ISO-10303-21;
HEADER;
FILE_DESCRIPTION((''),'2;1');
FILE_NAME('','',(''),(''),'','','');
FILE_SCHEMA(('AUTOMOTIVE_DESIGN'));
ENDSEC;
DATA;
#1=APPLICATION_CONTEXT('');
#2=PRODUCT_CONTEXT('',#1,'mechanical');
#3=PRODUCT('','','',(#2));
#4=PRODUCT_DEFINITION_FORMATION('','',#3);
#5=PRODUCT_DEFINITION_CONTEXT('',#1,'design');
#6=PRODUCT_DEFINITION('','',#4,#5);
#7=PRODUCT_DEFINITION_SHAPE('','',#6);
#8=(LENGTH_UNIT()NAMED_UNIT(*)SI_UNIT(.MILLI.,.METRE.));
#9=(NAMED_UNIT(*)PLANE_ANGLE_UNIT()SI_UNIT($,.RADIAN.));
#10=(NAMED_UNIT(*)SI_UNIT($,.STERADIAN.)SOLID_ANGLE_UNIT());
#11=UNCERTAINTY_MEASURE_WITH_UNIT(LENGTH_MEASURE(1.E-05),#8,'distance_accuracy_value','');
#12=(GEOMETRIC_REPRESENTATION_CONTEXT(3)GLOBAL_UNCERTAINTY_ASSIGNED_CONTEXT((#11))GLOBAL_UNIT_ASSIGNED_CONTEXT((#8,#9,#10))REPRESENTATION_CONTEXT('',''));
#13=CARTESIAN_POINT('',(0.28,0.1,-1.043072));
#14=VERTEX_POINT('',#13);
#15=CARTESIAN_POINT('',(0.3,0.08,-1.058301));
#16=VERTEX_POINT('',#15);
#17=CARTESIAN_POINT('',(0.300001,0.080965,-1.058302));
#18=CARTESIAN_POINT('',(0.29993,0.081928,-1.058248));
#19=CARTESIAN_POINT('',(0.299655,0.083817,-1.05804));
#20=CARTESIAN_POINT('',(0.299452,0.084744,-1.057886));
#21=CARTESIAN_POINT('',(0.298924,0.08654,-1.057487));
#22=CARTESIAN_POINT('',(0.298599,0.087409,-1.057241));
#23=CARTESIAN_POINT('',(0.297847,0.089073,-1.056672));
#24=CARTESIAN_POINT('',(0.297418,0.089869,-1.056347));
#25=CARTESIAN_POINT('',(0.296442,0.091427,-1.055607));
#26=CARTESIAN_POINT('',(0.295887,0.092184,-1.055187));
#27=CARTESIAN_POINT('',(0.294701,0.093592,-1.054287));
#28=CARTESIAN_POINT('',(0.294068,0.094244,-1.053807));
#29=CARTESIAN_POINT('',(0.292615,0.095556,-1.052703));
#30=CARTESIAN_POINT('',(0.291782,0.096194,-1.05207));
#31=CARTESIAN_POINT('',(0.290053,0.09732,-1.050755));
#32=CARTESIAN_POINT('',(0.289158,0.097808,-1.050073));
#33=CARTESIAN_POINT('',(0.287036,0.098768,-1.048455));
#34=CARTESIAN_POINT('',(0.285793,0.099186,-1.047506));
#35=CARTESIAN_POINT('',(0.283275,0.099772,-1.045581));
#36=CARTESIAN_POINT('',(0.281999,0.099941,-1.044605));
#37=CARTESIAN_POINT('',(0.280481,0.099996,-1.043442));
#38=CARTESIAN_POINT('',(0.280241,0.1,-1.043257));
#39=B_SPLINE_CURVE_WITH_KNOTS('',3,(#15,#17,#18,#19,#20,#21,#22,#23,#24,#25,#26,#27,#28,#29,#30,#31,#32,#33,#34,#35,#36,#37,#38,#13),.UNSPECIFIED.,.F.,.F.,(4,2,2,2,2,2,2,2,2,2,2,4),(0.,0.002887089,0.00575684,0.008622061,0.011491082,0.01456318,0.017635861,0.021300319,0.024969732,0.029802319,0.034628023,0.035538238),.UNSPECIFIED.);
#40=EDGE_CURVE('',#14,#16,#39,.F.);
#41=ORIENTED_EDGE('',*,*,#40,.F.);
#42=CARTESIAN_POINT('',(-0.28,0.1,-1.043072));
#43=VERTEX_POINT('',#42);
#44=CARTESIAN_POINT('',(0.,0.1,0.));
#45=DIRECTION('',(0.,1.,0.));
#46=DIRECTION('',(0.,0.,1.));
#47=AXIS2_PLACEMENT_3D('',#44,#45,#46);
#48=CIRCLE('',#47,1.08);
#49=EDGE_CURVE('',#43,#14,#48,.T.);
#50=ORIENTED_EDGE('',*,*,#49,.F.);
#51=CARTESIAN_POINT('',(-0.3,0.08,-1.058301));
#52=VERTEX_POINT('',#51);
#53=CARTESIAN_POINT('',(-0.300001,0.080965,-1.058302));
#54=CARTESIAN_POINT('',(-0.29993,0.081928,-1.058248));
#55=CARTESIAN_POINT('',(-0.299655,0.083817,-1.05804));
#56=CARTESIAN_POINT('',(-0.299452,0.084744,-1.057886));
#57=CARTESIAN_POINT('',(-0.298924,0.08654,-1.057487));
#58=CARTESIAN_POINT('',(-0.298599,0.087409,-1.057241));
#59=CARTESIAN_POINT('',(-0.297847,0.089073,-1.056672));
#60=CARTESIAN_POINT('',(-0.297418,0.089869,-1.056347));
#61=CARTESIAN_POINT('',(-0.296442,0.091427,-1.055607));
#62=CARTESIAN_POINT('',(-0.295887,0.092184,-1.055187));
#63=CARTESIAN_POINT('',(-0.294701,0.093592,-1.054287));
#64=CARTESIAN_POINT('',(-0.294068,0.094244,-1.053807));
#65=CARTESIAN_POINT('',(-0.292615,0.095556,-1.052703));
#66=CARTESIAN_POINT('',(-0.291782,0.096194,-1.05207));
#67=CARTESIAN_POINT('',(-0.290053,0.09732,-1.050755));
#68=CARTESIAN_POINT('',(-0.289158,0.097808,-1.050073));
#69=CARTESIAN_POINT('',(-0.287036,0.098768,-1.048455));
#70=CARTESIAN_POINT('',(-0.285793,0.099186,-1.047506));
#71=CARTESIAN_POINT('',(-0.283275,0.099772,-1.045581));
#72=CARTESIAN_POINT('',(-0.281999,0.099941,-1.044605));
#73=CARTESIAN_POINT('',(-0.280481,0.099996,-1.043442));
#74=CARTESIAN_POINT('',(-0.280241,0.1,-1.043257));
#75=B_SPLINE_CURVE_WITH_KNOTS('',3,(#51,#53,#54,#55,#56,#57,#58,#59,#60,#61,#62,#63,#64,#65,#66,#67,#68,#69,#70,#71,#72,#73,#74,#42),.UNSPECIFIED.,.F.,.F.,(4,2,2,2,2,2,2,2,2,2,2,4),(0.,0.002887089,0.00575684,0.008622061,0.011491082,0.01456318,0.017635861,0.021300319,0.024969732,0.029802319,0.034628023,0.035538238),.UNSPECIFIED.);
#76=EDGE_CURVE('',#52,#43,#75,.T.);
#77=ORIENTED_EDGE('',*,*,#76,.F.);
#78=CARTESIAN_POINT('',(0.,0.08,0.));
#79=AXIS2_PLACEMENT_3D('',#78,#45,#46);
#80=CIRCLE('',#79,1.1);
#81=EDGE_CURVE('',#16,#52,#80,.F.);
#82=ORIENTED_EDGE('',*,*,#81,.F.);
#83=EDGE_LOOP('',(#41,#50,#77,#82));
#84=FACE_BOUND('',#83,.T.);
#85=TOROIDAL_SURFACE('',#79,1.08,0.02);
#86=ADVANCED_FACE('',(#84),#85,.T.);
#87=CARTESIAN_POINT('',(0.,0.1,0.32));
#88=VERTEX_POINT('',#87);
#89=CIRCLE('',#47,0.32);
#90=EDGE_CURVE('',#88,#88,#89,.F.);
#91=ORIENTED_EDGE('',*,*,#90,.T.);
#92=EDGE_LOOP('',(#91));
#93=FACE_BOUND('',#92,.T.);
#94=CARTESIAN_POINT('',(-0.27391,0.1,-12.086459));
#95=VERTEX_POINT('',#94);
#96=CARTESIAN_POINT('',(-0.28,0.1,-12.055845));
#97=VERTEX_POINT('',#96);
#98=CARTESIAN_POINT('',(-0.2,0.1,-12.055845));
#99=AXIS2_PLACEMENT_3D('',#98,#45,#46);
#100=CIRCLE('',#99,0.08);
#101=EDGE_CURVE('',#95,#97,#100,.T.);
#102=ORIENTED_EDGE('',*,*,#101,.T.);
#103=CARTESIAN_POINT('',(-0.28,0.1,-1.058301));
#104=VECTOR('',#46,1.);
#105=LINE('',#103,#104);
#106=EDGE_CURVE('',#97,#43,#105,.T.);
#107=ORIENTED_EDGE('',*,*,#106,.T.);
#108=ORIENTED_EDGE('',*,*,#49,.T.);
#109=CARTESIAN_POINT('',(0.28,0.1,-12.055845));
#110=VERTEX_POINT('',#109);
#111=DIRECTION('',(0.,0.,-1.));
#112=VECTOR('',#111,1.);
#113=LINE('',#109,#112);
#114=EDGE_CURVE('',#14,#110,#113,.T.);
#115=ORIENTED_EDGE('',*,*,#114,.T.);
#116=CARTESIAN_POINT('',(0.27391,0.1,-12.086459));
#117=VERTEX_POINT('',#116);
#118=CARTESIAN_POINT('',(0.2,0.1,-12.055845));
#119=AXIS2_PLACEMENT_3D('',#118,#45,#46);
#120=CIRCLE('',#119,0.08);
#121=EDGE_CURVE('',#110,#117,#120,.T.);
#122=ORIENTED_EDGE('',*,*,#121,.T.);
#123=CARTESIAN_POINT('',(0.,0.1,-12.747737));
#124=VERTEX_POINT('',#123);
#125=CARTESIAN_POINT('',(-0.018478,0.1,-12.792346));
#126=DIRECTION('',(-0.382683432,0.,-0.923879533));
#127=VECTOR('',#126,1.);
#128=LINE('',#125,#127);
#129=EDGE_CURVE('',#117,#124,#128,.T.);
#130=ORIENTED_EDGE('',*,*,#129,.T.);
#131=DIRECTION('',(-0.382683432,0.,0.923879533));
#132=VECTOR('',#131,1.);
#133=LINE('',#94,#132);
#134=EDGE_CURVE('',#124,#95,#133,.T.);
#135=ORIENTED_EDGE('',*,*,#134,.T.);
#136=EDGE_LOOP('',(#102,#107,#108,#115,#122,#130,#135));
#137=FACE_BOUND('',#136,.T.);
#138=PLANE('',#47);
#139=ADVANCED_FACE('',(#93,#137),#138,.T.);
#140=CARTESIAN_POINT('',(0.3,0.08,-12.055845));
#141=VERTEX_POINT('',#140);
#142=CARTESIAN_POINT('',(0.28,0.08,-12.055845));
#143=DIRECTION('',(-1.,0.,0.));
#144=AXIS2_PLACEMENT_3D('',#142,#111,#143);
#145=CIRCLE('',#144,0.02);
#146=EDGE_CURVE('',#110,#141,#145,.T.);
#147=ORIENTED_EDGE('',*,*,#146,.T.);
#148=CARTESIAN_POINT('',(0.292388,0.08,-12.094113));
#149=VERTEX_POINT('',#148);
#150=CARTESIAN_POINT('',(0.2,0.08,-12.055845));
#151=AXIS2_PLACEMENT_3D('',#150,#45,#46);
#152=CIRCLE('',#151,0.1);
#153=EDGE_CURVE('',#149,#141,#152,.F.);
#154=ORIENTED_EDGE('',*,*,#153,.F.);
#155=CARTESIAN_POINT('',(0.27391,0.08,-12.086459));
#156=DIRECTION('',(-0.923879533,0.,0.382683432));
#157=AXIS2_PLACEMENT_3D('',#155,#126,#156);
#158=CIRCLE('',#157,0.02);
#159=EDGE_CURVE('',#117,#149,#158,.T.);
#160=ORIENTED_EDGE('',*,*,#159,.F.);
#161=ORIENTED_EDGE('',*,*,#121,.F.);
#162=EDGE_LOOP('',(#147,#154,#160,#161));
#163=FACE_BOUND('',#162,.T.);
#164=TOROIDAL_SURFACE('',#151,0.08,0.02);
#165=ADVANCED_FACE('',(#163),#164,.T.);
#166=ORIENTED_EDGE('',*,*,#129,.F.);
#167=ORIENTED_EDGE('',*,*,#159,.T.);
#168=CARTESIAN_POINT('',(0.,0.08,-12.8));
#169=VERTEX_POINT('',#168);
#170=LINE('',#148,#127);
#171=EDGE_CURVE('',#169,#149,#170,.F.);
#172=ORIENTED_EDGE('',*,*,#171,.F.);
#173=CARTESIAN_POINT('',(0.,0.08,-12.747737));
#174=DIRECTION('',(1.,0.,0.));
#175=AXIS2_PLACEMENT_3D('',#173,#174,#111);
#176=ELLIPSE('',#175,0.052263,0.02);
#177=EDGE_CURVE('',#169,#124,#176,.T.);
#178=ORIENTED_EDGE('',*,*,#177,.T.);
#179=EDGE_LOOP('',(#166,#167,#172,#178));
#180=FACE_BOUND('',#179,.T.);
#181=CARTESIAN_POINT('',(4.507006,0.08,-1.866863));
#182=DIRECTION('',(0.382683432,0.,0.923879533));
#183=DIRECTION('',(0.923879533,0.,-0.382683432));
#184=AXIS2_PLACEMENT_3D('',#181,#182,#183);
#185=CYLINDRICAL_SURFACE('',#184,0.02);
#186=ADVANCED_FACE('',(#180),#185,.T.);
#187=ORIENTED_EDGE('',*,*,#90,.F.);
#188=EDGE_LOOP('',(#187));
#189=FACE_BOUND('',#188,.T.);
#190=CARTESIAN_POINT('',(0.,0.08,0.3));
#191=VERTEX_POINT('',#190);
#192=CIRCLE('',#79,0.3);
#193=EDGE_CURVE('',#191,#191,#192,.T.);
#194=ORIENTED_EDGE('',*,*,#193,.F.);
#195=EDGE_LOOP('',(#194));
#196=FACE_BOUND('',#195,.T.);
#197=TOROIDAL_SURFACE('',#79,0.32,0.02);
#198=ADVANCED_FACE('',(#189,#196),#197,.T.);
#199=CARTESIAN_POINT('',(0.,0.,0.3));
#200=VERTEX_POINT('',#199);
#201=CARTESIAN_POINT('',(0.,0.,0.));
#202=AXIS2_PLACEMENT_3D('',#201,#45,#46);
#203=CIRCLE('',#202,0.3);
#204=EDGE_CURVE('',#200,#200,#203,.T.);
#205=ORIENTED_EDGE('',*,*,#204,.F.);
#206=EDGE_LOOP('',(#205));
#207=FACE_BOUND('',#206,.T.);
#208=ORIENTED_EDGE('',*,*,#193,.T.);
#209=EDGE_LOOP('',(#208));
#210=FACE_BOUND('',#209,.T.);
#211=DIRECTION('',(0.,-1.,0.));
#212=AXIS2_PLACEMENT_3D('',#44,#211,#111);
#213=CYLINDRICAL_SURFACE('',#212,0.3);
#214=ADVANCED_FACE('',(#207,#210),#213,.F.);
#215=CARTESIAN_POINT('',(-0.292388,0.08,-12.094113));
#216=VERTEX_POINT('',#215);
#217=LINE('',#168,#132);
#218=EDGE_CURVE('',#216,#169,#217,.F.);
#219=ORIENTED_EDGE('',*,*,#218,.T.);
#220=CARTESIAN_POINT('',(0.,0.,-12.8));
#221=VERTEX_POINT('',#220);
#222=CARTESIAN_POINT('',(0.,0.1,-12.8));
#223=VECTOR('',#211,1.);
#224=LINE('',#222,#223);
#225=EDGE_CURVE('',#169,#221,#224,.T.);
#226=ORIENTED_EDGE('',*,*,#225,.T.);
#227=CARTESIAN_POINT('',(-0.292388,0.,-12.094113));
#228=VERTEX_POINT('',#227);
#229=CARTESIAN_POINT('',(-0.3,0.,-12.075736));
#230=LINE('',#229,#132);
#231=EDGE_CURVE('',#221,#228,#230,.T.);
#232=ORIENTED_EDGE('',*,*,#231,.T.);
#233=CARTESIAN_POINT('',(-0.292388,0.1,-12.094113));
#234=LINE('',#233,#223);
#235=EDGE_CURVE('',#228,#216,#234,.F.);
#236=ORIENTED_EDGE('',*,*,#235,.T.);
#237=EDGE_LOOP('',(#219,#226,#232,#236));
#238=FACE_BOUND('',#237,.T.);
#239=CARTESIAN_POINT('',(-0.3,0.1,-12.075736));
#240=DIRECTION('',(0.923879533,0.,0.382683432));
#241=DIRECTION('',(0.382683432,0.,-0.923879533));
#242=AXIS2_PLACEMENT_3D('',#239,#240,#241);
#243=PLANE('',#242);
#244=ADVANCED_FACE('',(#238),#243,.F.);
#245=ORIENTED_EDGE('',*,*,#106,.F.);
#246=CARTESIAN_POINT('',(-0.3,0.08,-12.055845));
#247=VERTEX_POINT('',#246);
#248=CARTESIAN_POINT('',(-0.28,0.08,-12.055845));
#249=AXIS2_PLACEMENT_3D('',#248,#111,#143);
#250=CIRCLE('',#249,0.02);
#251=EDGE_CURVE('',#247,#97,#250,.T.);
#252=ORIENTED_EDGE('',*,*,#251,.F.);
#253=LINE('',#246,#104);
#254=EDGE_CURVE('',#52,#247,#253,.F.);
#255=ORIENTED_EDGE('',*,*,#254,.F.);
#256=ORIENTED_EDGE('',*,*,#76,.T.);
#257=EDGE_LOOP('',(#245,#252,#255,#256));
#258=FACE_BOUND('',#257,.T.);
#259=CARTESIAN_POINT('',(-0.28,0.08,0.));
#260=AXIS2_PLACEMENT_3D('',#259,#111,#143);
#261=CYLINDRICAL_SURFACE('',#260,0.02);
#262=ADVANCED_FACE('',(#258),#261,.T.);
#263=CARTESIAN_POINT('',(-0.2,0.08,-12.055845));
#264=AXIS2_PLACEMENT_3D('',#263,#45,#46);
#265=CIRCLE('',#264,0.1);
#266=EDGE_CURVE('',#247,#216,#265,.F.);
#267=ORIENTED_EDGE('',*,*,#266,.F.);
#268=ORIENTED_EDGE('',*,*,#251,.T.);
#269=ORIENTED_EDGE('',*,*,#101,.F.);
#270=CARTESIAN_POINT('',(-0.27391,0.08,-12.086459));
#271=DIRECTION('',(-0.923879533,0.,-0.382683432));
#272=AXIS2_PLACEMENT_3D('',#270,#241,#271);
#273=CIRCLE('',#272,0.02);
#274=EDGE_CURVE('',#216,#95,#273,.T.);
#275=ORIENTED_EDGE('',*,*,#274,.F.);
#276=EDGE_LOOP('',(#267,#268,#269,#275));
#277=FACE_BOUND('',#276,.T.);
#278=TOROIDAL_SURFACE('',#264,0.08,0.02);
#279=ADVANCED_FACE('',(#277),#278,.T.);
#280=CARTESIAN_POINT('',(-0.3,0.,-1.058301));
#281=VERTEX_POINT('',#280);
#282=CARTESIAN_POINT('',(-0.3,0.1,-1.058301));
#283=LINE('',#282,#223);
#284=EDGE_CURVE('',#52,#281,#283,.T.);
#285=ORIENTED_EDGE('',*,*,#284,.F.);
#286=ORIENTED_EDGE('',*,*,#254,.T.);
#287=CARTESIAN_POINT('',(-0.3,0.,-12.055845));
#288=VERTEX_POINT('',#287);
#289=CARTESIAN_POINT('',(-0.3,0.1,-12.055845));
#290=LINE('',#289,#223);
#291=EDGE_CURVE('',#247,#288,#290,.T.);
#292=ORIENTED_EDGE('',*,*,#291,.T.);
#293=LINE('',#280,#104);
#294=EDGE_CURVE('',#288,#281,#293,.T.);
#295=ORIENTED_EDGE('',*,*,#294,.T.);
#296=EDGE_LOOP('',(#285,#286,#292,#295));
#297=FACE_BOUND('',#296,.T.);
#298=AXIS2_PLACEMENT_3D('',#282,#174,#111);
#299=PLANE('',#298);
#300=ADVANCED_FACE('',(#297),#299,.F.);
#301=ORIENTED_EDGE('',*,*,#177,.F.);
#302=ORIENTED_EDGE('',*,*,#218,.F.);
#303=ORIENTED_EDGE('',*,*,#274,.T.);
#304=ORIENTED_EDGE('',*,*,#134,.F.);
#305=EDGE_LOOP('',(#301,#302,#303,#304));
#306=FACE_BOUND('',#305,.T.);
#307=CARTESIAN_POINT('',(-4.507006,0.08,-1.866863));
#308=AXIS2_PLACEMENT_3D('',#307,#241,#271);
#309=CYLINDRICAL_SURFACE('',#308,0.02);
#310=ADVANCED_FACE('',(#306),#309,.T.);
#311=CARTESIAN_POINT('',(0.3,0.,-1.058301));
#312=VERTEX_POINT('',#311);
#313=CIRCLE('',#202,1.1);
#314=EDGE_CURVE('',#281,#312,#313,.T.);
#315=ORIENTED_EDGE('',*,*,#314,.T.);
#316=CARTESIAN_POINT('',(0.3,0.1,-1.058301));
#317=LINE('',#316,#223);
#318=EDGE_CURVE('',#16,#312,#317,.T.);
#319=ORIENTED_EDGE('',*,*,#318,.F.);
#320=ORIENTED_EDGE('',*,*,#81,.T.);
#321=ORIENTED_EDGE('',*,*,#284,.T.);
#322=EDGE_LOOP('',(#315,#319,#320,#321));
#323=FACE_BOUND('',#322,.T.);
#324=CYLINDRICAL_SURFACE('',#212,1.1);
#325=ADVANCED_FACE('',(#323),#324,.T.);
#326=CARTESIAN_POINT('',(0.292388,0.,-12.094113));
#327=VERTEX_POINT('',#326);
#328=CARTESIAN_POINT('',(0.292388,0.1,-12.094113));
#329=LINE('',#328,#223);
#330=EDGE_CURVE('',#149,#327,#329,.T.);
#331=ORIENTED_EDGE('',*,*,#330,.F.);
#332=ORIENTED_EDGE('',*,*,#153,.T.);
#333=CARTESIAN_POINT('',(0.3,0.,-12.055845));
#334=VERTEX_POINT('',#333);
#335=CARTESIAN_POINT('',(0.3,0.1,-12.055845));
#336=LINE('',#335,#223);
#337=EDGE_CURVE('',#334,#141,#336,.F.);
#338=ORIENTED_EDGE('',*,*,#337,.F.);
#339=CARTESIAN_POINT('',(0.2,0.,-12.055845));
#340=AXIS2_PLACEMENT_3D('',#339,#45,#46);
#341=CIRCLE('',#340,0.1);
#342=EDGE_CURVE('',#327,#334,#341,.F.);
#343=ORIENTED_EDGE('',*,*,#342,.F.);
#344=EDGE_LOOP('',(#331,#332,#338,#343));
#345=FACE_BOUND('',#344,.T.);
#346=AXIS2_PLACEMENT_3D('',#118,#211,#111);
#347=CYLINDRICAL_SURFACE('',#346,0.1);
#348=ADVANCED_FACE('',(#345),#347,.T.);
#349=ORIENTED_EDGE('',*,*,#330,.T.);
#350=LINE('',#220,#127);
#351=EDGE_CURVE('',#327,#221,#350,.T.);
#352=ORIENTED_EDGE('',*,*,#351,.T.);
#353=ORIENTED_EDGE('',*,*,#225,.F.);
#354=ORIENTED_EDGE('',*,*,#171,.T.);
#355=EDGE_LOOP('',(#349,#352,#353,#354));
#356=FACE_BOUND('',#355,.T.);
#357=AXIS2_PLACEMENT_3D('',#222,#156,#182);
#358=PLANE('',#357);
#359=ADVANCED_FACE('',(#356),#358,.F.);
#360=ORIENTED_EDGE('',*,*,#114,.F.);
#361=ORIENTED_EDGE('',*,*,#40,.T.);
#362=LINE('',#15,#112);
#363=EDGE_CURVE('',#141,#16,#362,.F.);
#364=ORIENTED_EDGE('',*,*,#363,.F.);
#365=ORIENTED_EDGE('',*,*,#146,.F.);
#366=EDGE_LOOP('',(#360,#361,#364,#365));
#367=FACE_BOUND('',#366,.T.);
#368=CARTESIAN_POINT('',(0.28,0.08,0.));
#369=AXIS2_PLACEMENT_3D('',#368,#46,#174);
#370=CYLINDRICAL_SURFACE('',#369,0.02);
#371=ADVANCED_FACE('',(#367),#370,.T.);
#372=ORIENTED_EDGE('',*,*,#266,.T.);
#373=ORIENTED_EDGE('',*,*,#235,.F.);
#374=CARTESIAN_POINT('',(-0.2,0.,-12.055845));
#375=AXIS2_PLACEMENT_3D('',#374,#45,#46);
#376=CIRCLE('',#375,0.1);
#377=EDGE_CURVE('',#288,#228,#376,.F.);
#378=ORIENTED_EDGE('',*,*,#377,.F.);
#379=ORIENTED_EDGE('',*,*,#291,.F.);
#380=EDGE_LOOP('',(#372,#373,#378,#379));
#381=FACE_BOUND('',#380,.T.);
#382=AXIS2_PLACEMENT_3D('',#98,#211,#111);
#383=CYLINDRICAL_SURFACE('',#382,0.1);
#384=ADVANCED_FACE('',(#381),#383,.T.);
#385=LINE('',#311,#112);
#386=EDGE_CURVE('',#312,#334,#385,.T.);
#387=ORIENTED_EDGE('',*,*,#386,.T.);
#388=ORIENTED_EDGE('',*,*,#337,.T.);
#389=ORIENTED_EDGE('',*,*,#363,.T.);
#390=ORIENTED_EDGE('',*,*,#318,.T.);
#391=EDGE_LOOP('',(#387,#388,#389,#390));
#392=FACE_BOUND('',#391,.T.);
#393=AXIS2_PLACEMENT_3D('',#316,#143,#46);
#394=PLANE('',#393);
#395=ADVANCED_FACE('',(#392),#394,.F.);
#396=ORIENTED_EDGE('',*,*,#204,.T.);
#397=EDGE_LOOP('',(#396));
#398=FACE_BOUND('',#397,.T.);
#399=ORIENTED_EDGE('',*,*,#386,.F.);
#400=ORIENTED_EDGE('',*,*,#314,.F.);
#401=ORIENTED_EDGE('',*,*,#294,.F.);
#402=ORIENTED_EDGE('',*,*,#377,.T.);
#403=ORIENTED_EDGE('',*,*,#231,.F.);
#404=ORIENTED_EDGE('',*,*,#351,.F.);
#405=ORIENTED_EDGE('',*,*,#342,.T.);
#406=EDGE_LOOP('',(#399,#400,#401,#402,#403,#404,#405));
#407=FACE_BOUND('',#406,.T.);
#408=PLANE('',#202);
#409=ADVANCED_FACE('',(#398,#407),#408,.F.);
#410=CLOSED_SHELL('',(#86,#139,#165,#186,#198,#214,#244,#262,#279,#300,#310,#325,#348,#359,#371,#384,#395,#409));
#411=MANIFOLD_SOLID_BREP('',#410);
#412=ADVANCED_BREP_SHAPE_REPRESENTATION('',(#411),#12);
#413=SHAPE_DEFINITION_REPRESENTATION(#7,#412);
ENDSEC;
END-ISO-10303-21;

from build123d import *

# Parameters (mm, degrees)
SKETCH_1_R      = 0.3
EXTRUDE_1_DEPTH = 0.1
FILLET_1_R      = 0.1
FILLET_2_R      = 0.02


with BuildPart() as part:
    # 草图1 → 凸台-拉伸1 (new body)
    with BuildSketch(Plane(origin=(0, 0, 0), x_dir=(1, 0, 0), z_dir=(0, 1, 0))):
        with BuildLine():
            Line((0.3, 1.058300524), (0.3, 12.075735931))
            Line((0.3, 12.075735931), (0, 12.8))
            Line((0, 12.8), (-0.3, 12.075735931))
            Line((-0.3, 12.075735931), (-0.3, 1.058300524))
            ThreePointArc((-0.3, 1.058300524), (0, -1.1), (0.3, 1.058300524))
        make_face()
        with Locations(Location((0, 0, 0), (0, 0, 270))):
            Circle(SKETCH_1_R, mode=Mode.SUBTRACT)
    extrude(amount=EXTRUDE_1_DEPTH)

    # 圆角1
    fillet_1_edges = [part.edges().sort_by_distance(p)[0] for p in [
        (0.3, 0.05, -12.075735931),
        (-0.3, 0.05, -12.075735931),
    ]]
    fillet(fillet_1_edges, radius=FILLET_1_R)

    # 圆角2
    fillet_2_edges = [part.edges().sort_by_distance(p)[0] for p in [
        (0.3, 0.1, -6.557072609),
        (0.298078528, 0.1, -12.075353727),
        (0, 0.1, 1.1),
        (0.146193977, 0.1, -12.447056519),
        (-0.3, 0.1, -6.557072609),
        (-0.146193977, 0.1, -12.447056519),
        (-0.298078528, 0.1, -12.075353727),
        (0, 0.1, -0.3),
    ]]
    fillet(fillet_2_edges, radius=FILLET_2_R)


solid = part.part
